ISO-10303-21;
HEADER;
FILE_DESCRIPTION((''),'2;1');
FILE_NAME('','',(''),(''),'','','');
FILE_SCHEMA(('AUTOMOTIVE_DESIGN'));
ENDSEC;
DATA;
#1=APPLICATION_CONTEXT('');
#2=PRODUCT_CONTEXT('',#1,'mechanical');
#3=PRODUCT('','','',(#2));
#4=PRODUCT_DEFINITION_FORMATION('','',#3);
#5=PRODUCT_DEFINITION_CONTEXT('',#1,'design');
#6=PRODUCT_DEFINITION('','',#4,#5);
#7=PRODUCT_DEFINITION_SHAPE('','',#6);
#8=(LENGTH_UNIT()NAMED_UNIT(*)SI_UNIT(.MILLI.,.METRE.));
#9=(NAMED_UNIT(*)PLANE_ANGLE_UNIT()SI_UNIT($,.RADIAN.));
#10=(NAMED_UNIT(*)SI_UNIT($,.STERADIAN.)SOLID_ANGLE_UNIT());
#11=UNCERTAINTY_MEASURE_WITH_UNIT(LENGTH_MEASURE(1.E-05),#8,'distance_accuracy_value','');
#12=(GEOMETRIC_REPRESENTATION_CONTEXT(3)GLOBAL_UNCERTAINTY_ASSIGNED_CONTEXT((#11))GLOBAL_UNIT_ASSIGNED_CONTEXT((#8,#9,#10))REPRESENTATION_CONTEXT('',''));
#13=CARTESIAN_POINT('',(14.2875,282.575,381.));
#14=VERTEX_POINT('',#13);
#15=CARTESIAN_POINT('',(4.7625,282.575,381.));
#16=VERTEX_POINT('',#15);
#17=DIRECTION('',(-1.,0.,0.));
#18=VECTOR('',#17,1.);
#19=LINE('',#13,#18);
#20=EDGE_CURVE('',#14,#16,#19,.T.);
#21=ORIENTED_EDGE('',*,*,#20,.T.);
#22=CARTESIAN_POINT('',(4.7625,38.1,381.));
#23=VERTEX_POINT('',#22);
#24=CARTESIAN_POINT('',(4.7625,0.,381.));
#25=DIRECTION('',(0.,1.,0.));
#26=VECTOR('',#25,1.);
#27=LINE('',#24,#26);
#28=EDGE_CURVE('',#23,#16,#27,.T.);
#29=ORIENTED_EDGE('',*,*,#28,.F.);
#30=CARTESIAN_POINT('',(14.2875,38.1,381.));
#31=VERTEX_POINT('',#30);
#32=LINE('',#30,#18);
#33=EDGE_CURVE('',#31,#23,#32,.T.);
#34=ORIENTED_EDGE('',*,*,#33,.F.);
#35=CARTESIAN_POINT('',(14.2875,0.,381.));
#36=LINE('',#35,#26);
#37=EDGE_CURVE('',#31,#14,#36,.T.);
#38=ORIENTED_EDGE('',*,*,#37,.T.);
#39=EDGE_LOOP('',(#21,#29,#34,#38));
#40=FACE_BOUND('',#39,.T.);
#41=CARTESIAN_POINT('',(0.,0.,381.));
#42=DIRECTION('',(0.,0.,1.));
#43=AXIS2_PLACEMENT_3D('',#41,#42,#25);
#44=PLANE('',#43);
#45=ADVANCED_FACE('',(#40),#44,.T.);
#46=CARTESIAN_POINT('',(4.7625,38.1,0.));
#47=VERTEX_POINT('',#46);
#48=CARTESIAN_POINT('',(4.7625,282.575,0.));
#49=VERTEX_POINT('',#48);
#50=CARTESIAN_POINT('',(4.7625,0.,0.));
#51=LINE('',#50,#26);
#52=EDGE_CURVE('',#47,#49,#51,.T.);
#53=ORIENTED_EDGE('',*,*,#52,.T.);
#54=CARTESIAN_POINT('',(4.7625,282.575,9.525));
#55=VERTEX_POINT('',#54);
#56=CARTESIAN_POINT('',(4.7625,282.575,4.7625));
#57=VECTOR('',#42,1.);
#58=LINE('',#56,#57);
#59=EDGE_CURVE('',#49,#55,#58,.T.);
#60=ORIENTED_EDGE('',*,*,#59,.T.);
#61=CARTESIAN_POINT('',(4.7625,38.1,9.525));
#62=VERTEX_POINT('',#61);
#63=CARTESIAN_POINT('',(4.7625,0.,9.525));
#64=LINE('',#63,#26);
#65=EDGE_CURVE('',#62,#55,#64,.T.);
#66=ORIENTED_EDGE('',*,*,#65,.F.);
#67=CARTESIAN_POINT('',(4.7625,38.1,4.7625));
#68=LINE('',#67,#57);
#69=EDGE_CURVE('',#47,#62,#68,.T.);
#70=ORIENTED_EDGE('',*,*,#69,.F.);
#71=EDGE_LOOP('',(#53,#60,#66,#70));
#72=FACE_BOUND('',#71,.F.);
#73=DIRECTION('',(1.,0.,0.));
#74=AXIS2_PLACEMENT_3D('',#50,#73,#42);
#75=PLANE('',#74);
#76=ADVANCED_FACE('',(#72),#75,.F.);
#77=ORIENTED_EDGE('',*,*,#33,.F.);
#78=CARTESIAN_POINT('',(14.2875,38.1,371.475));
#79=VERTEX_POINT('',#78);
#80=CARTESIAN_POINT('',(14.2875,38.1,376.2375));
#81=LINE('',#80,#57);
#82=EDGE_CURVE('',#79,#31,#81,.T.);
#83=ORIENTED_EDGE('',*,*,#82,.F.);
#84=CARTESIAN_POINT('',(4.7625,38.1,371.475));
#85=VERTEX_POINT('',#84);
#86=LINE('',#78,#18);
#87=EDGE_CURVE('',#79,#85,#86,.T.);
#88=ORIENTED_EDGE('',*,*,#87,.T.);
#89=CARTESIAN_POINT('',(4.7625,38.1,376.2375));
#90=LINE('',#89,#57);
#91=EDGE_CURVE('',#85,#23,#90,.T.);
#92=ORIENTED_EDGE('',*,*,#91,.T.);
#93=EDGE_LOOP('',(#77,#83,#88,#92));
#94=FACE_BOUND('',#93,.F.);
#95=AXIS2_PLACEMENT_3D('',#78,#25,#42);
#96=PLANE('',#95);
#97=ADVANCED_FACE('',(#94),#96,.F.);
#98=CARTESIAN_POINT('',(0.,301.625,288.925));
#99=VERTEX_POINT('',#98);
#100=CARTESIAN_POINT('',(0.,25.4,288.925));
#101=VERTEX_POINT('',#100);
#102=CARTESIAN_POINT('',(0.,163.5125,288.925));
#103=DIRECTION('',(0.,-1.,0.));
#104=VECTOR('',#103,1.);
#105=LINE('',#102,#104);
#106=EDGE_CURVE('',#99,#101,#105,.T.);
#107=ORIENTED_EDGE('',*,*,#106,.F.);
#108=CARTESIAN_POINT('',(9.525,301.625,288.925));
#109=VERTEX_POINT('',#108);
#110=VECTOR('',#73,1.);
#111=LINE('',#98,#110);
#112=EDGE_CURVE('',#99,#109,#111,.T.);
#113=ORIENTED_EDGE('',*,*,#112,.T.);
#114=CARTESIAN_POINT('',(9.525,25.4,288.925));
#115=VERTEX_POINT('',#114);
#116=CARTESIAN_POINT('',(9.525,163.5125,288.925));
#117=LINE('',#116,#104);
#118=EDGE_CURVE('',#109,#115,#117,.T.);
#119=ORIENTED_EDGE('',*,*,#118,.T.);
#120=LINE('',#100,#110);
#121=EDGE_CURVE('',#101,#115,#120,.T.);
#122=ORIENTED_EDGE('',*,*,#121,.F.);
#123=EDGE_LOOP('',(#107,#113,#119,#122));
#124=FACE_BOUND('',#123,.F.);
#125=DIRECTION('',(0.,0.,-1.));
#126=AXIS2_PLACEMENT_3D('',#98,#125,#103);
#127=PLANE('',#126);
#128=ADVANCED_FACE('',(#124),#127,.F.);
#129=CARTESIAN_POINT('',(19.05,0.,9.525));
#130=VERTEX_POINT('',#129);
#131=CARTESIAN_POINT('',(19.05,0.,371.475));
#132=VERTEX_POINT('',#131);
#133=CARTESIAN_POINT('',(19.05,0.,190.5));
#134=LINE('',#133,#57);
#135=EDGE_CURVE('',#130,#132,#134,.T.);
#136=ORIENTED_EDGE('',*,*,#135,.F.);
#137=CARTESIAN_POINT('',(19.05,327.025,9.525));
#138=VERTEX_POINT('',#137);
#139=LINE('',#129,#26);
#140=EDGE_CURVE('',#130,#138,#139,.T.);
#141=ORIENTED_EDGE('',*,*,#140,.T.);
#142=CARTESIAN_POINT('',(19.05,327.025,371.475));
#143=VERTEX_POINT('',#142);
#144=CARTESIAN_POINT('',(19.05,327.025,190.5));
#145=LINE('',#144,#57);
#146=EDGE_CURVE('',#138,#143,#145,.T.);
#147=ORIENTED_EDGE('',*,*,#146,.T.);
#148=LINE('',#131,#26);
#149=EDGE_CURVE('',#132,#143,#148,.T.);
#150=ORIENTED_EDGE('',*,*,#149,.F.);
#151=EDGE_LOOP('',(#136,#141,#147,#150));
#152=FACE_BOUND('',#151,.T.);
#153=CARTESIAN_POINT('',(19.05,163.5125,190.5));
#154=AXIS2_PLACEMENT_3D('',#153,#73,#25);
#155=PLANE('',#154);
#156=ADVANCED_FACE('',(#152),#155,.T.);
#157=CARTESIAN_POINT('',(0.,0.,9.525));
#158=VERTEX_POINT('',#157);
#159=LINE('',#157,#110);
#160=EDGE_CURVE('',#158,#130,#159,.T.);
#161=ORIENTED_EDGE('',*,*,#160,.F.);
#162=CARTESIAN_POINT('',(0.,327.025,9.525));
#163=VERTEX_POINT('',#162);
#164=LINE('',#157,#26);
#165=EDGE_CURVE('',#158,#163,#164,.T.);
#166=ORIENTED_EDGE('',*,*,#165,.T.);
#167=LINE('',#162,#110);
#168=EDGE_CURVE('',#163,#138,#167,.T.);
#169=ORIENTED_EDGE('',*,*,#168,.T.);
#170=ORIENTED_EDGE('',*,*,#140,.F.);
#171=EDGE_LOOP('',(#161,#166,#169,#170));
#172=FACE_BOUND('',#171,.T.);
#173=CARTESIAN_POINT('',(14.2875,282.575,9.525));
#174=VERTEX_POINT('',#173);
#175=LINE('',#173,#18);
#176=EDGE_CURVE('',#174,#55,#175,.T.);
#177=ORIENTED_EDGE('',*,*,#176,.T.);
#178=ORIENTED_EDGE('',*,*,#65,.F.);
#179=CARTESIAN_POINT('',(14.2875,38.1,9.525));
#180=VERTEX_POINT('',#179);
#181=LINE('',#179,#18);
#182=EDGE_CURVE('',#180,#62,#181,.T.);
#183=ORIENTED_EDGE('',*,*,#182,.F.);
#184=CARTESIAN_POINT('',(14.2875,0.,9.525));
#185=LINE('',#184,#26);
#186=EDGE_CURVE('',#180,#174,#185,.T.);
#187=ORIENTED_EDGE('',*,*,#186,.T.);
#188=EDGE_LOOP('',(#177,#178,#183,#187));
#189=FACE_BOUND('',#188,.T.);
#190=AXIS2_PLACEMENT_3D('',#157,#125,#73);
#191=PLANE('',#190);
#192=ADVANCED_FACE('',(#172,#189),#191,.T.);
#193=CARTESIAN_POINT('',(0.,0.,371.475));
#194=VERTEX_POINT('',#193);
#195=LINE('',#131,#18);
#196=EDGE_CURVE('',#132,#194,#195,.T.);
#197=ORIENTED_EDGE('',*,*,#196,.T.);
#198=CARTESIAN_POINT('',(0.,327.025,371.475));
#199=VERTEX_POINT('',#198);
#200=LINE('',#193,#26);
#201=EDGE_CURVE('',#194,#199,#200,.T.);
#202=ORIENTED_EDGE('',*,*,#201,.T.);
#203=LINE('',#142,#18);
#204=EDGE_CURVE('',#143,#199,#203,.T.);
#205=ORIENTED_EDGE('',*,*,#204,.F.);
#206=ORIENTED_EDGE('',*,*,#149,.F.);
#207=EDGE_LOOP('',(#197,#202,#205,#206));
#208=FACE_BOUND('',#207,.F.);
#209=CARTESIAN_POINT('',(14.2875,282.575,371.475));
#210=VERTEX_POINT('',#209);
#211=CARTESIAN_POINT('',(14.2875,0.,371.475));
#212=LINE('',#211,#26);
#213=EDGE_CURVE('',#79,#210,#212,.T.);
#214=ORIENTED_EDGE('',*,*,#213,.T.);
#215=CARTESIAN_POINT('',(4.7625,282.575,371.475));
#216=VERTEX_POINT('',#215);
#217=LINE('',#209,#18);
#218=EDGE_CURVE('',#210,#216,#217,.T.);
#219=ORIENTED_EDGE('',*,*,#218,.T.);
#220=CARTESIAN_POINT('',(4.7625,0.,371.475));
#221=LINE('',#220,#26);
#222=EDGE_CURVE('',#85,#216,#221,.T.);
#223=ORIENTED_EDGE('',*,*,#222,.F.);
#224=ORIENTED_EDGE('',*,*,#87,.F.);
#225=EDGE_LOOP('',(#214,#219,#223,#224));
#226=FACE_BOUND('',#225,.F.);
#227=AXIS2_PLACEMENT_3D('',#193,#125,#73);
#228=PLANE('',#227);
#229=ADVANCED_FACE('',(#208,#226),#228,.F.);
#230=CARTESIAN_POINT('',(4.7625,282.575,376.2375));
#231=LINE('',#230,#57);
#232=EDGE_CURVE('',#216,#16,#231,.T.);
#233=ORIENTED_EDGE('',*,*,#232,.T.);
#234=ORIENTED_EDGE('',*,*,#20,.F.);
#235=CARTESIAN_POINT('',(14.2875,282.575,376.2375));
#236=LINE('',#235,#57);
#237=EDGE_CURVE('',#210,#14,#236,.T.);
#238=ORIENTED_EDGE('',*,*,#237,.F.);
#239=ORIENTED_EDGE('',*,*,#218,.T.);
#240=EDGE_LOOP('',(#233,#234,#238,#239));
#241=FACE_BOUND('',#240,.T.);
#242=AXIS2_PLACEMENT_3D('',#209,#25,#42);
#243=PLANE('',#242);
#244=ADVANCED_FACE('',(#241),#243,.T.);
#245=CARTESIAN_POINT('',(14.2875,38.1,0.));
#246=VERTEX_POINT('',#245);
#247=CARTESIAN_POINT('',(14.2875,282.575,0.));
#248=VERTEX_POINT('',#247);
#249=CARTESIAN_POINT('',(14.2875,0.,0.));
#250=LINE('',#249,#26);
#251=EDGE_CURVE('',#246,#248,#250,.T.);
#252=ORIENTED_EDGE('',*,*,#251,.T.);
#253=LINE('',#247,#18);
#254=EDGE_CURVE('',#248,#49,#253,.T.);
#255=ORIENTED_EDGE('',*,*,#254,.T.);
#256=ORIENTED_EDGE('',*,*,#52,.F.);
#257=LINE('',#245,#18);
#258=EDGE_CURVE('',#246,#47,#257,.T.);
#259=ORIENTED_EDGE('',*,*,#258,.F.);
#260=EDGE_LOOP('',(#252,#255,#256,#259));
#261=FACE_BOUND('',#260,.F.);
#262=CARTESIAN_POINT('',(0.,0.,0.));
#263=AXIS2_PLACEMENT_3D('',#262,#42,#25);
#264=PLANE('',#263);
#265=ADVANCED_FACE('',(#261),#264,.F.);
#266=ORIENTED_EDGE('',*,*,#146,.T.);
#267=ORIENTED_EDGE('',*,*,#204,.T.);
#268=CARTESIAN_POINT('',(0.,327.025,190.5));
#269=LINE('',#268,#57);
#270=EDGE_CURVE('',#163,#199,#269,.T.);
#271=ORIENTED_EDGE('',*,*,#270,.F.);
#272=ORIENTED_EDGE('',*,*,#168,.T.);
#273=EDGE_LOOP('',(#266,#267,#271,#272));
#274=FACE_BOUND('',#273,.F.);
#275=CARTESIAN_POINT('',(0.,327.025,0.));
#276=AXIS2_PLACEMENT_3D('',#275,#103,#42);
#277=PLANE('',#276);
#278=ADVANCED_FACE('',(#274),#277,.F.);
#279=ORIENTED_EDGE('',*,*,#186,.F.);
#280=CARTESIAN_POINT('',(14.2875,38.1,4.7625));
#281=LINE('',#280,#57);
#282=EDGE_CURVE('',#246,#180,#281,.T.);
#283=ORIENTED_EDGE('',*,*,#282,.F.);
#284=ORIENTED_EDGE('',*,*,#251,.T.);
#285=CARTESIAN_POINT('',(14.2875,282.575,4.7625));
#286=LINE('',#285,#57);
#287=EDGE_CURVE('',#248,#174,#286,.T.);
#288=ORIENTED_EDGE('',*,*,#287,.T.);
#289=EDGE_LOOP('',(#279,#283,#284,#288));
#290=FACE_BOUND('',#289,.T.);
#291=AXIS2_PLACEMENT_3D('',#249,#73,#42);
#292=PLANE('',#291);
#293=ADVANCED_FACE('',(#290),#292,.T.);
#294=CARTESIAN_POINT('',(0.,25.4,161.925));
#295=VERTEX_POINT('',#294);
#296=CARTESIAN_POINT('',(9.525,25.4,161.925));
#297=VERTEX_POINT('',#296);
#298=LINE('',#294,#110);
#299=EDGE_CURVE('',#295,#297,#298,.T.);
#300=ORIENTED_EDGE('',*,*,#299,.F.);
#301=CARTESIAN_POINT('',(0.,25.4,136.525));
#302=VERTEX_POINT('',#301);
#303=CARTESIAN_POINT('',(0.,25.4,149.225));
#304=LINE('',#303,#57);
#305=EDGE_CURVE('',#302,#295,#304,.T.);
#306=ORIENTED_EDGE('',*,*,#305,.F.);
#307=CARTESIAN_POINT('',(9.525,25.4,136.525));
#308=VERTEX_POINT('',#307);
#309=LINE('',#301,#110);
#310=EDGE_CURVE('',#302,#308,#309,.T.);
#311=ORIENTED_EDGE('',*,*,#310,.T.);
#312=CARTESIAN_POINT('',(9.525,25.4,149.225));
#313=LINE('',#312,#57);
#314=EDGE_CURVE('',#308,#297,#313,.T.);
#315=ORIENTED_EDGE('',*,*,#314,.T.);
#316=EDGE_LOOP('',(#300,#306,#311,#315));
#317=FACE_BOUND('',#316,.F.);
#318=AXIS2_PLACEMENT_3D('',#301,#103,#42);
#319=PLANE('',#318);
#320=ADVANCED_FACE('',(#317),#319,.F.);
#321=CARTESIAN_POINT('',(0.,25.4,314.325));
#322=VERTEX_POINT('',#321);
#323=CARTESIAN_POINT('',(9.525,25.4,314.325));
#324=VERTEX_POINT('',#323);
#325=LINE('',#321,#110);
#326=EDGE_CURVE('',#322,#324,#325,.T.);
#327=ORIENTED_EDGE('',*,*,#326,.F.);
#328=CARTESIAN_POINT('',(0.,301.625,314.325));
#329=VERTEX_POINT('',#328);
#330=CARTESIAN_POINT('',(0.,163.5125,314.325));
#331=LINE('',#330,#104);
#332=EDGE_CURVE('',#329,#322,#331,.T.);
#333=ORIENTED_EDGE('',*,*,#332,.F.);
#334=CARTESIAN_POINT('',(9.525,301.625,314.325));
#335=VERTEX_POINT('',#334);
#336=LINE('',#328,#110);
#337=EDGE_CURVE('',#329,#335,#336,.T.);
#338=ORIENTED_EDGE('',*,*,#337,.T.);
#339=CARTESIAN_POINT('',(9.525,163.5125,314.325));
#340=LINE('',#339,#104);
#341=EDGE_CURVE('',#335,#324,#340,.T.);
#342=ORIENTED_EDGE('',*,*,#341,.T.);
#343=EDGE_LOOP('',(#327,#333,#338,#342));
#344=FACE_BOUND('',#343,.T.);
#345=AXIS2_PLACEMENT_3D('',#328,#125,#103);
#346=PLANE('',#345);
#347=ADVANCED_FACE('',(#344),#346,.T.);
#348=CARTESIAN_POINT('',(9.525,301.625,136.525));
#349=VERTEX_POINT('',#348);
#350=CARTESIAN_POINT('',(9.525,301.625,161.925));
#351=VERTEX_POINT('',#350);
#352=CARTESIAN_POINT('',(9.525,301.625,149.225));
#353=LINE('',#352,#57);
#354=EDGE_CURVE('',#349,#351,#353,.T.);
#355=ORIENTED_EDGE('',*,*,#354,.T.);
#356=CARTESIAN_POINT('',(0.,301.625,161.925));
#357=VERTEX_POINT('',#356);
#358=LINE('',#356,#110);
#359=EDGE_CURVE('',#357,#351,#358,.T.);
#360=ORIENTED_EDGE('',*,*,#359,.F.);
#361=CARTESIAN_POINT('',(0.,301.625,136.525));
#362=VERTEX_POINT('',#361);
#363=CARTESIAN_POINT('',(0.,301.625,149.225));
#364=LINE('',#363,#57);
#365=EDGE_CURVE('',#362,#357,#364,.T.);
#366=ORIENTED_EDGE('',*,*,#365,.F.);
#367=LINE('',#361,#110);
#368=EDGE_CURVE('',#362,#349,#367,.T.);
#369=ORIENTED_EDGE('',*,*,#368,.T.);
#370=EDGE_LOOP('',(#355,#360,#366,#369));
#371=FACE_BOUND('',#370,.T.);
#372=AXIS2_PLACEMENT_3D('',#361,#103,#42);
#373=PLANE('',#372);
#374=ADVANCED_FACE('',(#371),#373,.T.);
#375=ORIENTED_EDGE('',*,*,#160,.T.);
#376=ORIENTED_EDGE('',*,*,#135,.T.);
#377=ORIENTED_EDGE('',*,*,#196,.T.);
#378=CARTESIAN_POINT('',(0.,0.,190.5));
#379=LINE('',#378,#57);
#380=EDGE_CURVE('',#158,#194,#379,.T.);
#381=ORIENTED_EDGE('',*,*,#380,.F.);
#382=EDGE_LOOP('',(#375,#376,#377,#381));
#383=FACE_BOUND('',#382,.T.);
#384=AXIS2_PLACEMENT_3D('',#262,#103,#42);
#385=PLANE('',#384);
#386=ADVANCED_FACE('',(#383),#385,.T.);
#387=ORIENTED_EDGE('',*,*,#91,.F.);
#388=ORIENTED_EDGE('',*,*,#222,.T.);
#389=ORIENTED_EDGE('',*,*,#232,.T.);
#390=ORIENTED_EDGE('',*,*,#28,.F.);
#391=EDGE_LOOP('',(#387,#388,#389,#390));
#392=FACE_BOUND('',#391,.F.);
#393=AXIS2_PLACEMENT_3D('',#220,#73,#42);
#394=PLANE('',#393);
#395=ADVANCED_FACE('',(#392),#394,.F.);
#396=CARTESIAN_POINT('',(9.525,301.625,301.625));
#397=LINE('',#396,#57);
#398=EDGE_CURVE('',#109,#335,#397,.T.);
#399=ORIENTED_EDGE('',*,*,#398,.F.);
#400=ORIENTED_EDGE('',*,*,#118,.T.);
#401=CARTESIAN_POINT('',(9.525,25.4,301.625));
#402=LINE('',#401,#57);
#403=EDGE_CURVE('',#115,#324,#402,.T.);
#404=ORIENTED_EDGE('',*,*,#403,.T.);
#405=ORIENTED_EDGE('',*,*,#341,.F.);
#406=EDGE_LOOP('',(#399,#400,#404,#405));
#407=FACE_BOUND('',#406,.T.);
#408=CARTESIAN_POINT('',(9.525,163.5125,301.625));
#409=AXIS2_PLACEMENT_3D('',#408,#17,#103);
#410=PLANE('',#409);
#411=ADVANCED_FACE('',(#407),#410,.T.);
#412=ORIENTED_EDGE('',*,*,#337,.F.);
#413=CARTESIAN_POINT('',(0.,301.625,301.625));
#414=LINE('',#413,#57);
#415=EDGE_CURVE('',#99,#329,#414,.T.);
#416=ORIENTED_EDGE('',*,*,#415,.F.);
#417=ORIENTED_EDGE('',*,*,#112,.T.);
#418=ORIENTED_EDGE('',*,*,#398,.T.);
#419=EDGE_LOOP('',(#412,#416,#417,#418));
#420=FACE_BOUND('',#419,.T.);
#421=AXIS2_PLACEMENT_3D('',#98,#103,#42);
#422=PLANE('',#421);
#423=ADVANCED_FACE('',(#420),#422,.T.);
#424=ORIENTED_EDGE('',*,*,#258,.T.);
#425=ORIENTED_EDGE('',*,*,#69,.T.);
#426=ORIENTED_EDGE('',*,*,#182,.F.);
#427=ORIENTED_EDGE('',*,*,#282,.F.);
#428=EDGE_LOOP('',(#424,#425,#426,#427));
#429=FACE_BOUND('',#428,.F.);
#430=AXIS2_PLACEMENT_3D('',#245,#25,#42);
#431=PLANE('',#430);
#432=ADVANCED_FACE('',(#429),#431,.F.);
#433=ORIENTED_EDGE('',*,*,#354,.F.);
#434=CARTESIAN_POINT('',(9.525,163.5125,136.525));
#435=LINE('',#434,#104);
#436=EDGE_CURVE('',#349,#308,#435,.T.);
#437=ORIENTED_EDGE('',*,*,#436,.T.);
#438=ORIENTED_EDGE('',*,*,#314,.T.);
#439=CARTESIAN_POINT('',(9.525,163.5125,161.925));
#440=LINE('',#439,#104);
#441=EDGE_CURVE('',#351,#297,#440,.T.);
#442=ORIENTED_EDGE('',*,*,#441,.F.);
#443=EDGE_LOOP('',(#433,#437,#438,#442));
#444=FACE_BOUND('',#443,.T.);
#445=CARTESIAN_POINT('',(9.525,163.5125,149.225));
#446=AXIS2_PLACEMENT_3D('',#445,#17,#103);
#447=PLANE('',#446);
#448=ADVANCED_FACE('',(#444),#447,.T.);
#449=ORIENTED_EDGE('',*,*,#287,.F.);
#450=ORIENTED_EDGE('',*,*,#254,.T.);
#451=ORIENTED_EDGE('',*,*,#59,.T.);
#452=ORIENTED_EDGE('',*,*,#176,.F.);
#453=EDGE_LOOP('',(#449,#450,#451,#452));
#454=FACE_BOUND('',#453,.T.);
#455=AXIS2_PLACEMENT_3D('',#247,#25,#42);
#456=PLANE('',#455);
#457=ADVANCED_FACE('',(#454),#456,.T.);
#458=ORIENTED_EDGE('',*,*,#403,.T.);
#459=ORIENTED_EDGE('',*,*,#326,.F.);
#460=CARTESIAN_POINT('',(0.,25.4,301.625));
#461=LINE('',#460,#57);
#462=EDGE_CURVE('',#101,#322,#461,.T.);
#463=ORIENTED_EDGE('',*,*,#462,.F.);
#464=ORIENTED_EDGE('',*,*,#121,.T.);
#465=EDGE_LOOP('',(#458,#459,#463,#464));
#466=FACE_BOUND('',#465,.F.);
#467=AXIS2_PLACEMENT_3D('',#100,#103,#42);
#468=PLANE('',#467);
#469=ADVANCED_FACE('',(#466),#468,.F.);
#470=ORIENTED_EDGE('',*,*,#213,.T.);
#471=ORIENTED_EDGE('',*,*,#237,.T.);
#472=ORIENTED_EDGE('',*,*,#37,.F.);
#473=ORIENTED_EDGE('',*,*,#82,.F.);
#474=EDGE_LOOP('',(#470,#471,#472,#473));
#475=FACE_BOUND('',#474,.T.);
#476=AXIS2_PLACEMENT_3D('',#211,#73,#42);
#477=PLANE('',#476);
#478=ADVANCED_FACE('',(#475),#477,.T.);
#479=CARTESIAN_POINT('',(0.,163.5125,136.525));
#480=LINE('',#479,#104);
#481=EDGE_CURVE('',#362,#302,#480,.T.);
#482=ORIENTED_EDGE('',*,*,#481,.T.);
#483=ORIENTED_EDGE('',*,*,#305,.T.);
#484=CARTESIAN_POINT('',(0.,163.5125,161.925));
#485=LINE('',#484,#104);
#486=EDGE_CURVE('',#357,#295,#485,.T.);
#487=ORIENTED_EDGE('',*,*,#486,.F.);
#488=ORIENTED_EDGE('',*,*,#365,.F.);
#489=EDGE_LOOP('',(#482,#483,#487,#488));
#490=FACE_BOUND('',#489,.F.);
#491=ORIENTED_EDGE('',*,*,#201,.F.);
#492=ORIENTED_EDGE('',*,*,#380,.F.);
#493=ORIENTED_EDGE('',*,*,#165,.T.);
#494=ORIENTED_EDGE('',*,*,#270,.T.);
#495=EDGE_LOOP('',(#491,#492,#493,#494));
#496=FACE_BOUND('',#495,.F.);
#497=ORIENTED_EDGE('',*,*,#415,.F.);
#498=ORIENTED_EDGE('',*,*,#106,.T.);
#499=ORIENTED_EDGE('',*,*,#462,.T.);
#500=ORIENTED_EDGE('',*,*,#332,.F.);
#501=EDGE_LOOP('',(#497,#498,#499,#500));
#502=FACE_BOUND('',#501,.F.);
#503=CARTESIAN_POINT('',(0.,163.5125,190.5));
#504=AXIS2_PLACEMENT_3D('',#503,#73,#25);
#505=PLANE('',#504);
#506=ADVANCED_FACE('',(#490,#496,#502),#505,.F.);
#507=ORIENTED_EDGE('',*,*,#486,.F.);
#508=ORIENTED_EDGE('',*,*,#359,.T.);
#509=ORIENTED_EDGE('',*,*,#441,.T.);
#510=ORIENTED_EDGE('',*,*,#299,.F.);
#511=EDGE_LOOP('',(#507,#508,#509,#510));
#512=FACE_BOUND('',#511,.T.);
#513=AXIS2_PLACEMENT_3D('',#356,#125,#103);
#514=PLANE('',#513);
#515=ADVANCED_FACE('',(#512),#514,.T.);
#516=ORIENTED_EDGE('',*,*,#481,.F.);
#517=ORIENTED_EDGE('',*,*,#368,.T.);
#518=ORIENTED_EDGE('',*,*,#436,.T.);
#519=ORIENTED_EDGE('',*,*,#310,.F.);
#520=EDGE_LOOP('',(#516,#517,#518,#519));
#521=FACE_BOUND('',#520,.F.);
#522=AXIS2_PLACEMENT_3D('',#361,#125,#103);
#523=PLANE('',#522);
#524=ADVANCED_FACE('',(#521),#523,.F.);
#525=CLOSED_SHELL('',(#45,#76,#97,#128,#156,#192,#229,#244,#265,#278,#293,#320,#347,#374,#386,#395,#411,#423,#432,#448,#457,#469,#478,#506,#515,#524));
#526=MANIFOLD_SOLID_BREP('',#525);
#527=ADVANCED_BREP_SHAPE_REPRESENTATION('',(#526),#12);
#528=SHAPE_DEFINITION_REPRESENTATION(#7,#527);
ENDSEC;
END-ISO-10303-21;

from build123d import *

# Parameters (mm, degrees)
F0_W     = 327.025
F0_H     = 381
F1_DEPTH = 19.05
F2_W     = 4.7625
F2_H     = 9.525
F3_DEPTH = 327.025
F4_W     = 38.1
F4_H     = 9.525
F4_W_2   = 44.45
F5_DEPTH = 9.525
F6_W     = 276.225
F6_H     = 25.4
F7_DEPTH = 9.525


with BuildPart() as f1:
    # F0 (on Right) → F1 (new body)
    with BuildSketch(Plane.YZ):
        with Locations((163.5125, 190.5)):
            Rectangle(F0_W, F0_H)
    extrude(amount=F1_DEPTH)

    # F2 (on Front) → F3 (cut, through all)
    with BuildSketch(Plane.XZ):
        with Locations((2.38125, 376.2375)):
            Rectangle(F2_W, F2_H)
        with Locations((16.66875, 376.2375)):
            Rectangle(F2_W, F2_H)
        with Locations((2.38125, 4.7625)):
            Rectangle(F2_W, F2_H)
        with Locations((16.66875, 4.7625)):
            Rectangle(F2_W, F2_H)
    extrude(amount=-F3_DEPTH, mode=Mode.SUBTRACT)

    # F4 (on face) → F5 (cut, through all)
    with BuildSketch(Plane.YZ.offset(14.2875)):
        with Locations((19.05, 376.2375)):
            Rectangle(F4_W, F4_H)
        with Locations((19.05, 4.7625)):
            Rectangle(F4_W, F4_H)
        with Locations((304.8, 376.2375)):
            Rectangle(F4_W_2, F4_H)
        with Locations((304.8, 4.7625)):
            Rectangle(F4_W_2, F4_H)
    extrude(amount=-F5_DEPTH, mode=Mode.SUBTRACT)

    # F6 (on face) → F7 (cut)
    with BuildSketch(Plane(origin=(0, 0, 0), x_dir=(0, -1, 0), z_dir=(-1, 0, 0))):
        with Locations((-163.5125, 301.625)):
            Rectangle(F6_W, F6_H)
        with Locations((-163.5125, 149.225)):
            Rectangle(F6_W, F6_H)
    extrude(amount=-F7_DEPTH, mode=Mode.SUBTRACT)


solid = f1.part
